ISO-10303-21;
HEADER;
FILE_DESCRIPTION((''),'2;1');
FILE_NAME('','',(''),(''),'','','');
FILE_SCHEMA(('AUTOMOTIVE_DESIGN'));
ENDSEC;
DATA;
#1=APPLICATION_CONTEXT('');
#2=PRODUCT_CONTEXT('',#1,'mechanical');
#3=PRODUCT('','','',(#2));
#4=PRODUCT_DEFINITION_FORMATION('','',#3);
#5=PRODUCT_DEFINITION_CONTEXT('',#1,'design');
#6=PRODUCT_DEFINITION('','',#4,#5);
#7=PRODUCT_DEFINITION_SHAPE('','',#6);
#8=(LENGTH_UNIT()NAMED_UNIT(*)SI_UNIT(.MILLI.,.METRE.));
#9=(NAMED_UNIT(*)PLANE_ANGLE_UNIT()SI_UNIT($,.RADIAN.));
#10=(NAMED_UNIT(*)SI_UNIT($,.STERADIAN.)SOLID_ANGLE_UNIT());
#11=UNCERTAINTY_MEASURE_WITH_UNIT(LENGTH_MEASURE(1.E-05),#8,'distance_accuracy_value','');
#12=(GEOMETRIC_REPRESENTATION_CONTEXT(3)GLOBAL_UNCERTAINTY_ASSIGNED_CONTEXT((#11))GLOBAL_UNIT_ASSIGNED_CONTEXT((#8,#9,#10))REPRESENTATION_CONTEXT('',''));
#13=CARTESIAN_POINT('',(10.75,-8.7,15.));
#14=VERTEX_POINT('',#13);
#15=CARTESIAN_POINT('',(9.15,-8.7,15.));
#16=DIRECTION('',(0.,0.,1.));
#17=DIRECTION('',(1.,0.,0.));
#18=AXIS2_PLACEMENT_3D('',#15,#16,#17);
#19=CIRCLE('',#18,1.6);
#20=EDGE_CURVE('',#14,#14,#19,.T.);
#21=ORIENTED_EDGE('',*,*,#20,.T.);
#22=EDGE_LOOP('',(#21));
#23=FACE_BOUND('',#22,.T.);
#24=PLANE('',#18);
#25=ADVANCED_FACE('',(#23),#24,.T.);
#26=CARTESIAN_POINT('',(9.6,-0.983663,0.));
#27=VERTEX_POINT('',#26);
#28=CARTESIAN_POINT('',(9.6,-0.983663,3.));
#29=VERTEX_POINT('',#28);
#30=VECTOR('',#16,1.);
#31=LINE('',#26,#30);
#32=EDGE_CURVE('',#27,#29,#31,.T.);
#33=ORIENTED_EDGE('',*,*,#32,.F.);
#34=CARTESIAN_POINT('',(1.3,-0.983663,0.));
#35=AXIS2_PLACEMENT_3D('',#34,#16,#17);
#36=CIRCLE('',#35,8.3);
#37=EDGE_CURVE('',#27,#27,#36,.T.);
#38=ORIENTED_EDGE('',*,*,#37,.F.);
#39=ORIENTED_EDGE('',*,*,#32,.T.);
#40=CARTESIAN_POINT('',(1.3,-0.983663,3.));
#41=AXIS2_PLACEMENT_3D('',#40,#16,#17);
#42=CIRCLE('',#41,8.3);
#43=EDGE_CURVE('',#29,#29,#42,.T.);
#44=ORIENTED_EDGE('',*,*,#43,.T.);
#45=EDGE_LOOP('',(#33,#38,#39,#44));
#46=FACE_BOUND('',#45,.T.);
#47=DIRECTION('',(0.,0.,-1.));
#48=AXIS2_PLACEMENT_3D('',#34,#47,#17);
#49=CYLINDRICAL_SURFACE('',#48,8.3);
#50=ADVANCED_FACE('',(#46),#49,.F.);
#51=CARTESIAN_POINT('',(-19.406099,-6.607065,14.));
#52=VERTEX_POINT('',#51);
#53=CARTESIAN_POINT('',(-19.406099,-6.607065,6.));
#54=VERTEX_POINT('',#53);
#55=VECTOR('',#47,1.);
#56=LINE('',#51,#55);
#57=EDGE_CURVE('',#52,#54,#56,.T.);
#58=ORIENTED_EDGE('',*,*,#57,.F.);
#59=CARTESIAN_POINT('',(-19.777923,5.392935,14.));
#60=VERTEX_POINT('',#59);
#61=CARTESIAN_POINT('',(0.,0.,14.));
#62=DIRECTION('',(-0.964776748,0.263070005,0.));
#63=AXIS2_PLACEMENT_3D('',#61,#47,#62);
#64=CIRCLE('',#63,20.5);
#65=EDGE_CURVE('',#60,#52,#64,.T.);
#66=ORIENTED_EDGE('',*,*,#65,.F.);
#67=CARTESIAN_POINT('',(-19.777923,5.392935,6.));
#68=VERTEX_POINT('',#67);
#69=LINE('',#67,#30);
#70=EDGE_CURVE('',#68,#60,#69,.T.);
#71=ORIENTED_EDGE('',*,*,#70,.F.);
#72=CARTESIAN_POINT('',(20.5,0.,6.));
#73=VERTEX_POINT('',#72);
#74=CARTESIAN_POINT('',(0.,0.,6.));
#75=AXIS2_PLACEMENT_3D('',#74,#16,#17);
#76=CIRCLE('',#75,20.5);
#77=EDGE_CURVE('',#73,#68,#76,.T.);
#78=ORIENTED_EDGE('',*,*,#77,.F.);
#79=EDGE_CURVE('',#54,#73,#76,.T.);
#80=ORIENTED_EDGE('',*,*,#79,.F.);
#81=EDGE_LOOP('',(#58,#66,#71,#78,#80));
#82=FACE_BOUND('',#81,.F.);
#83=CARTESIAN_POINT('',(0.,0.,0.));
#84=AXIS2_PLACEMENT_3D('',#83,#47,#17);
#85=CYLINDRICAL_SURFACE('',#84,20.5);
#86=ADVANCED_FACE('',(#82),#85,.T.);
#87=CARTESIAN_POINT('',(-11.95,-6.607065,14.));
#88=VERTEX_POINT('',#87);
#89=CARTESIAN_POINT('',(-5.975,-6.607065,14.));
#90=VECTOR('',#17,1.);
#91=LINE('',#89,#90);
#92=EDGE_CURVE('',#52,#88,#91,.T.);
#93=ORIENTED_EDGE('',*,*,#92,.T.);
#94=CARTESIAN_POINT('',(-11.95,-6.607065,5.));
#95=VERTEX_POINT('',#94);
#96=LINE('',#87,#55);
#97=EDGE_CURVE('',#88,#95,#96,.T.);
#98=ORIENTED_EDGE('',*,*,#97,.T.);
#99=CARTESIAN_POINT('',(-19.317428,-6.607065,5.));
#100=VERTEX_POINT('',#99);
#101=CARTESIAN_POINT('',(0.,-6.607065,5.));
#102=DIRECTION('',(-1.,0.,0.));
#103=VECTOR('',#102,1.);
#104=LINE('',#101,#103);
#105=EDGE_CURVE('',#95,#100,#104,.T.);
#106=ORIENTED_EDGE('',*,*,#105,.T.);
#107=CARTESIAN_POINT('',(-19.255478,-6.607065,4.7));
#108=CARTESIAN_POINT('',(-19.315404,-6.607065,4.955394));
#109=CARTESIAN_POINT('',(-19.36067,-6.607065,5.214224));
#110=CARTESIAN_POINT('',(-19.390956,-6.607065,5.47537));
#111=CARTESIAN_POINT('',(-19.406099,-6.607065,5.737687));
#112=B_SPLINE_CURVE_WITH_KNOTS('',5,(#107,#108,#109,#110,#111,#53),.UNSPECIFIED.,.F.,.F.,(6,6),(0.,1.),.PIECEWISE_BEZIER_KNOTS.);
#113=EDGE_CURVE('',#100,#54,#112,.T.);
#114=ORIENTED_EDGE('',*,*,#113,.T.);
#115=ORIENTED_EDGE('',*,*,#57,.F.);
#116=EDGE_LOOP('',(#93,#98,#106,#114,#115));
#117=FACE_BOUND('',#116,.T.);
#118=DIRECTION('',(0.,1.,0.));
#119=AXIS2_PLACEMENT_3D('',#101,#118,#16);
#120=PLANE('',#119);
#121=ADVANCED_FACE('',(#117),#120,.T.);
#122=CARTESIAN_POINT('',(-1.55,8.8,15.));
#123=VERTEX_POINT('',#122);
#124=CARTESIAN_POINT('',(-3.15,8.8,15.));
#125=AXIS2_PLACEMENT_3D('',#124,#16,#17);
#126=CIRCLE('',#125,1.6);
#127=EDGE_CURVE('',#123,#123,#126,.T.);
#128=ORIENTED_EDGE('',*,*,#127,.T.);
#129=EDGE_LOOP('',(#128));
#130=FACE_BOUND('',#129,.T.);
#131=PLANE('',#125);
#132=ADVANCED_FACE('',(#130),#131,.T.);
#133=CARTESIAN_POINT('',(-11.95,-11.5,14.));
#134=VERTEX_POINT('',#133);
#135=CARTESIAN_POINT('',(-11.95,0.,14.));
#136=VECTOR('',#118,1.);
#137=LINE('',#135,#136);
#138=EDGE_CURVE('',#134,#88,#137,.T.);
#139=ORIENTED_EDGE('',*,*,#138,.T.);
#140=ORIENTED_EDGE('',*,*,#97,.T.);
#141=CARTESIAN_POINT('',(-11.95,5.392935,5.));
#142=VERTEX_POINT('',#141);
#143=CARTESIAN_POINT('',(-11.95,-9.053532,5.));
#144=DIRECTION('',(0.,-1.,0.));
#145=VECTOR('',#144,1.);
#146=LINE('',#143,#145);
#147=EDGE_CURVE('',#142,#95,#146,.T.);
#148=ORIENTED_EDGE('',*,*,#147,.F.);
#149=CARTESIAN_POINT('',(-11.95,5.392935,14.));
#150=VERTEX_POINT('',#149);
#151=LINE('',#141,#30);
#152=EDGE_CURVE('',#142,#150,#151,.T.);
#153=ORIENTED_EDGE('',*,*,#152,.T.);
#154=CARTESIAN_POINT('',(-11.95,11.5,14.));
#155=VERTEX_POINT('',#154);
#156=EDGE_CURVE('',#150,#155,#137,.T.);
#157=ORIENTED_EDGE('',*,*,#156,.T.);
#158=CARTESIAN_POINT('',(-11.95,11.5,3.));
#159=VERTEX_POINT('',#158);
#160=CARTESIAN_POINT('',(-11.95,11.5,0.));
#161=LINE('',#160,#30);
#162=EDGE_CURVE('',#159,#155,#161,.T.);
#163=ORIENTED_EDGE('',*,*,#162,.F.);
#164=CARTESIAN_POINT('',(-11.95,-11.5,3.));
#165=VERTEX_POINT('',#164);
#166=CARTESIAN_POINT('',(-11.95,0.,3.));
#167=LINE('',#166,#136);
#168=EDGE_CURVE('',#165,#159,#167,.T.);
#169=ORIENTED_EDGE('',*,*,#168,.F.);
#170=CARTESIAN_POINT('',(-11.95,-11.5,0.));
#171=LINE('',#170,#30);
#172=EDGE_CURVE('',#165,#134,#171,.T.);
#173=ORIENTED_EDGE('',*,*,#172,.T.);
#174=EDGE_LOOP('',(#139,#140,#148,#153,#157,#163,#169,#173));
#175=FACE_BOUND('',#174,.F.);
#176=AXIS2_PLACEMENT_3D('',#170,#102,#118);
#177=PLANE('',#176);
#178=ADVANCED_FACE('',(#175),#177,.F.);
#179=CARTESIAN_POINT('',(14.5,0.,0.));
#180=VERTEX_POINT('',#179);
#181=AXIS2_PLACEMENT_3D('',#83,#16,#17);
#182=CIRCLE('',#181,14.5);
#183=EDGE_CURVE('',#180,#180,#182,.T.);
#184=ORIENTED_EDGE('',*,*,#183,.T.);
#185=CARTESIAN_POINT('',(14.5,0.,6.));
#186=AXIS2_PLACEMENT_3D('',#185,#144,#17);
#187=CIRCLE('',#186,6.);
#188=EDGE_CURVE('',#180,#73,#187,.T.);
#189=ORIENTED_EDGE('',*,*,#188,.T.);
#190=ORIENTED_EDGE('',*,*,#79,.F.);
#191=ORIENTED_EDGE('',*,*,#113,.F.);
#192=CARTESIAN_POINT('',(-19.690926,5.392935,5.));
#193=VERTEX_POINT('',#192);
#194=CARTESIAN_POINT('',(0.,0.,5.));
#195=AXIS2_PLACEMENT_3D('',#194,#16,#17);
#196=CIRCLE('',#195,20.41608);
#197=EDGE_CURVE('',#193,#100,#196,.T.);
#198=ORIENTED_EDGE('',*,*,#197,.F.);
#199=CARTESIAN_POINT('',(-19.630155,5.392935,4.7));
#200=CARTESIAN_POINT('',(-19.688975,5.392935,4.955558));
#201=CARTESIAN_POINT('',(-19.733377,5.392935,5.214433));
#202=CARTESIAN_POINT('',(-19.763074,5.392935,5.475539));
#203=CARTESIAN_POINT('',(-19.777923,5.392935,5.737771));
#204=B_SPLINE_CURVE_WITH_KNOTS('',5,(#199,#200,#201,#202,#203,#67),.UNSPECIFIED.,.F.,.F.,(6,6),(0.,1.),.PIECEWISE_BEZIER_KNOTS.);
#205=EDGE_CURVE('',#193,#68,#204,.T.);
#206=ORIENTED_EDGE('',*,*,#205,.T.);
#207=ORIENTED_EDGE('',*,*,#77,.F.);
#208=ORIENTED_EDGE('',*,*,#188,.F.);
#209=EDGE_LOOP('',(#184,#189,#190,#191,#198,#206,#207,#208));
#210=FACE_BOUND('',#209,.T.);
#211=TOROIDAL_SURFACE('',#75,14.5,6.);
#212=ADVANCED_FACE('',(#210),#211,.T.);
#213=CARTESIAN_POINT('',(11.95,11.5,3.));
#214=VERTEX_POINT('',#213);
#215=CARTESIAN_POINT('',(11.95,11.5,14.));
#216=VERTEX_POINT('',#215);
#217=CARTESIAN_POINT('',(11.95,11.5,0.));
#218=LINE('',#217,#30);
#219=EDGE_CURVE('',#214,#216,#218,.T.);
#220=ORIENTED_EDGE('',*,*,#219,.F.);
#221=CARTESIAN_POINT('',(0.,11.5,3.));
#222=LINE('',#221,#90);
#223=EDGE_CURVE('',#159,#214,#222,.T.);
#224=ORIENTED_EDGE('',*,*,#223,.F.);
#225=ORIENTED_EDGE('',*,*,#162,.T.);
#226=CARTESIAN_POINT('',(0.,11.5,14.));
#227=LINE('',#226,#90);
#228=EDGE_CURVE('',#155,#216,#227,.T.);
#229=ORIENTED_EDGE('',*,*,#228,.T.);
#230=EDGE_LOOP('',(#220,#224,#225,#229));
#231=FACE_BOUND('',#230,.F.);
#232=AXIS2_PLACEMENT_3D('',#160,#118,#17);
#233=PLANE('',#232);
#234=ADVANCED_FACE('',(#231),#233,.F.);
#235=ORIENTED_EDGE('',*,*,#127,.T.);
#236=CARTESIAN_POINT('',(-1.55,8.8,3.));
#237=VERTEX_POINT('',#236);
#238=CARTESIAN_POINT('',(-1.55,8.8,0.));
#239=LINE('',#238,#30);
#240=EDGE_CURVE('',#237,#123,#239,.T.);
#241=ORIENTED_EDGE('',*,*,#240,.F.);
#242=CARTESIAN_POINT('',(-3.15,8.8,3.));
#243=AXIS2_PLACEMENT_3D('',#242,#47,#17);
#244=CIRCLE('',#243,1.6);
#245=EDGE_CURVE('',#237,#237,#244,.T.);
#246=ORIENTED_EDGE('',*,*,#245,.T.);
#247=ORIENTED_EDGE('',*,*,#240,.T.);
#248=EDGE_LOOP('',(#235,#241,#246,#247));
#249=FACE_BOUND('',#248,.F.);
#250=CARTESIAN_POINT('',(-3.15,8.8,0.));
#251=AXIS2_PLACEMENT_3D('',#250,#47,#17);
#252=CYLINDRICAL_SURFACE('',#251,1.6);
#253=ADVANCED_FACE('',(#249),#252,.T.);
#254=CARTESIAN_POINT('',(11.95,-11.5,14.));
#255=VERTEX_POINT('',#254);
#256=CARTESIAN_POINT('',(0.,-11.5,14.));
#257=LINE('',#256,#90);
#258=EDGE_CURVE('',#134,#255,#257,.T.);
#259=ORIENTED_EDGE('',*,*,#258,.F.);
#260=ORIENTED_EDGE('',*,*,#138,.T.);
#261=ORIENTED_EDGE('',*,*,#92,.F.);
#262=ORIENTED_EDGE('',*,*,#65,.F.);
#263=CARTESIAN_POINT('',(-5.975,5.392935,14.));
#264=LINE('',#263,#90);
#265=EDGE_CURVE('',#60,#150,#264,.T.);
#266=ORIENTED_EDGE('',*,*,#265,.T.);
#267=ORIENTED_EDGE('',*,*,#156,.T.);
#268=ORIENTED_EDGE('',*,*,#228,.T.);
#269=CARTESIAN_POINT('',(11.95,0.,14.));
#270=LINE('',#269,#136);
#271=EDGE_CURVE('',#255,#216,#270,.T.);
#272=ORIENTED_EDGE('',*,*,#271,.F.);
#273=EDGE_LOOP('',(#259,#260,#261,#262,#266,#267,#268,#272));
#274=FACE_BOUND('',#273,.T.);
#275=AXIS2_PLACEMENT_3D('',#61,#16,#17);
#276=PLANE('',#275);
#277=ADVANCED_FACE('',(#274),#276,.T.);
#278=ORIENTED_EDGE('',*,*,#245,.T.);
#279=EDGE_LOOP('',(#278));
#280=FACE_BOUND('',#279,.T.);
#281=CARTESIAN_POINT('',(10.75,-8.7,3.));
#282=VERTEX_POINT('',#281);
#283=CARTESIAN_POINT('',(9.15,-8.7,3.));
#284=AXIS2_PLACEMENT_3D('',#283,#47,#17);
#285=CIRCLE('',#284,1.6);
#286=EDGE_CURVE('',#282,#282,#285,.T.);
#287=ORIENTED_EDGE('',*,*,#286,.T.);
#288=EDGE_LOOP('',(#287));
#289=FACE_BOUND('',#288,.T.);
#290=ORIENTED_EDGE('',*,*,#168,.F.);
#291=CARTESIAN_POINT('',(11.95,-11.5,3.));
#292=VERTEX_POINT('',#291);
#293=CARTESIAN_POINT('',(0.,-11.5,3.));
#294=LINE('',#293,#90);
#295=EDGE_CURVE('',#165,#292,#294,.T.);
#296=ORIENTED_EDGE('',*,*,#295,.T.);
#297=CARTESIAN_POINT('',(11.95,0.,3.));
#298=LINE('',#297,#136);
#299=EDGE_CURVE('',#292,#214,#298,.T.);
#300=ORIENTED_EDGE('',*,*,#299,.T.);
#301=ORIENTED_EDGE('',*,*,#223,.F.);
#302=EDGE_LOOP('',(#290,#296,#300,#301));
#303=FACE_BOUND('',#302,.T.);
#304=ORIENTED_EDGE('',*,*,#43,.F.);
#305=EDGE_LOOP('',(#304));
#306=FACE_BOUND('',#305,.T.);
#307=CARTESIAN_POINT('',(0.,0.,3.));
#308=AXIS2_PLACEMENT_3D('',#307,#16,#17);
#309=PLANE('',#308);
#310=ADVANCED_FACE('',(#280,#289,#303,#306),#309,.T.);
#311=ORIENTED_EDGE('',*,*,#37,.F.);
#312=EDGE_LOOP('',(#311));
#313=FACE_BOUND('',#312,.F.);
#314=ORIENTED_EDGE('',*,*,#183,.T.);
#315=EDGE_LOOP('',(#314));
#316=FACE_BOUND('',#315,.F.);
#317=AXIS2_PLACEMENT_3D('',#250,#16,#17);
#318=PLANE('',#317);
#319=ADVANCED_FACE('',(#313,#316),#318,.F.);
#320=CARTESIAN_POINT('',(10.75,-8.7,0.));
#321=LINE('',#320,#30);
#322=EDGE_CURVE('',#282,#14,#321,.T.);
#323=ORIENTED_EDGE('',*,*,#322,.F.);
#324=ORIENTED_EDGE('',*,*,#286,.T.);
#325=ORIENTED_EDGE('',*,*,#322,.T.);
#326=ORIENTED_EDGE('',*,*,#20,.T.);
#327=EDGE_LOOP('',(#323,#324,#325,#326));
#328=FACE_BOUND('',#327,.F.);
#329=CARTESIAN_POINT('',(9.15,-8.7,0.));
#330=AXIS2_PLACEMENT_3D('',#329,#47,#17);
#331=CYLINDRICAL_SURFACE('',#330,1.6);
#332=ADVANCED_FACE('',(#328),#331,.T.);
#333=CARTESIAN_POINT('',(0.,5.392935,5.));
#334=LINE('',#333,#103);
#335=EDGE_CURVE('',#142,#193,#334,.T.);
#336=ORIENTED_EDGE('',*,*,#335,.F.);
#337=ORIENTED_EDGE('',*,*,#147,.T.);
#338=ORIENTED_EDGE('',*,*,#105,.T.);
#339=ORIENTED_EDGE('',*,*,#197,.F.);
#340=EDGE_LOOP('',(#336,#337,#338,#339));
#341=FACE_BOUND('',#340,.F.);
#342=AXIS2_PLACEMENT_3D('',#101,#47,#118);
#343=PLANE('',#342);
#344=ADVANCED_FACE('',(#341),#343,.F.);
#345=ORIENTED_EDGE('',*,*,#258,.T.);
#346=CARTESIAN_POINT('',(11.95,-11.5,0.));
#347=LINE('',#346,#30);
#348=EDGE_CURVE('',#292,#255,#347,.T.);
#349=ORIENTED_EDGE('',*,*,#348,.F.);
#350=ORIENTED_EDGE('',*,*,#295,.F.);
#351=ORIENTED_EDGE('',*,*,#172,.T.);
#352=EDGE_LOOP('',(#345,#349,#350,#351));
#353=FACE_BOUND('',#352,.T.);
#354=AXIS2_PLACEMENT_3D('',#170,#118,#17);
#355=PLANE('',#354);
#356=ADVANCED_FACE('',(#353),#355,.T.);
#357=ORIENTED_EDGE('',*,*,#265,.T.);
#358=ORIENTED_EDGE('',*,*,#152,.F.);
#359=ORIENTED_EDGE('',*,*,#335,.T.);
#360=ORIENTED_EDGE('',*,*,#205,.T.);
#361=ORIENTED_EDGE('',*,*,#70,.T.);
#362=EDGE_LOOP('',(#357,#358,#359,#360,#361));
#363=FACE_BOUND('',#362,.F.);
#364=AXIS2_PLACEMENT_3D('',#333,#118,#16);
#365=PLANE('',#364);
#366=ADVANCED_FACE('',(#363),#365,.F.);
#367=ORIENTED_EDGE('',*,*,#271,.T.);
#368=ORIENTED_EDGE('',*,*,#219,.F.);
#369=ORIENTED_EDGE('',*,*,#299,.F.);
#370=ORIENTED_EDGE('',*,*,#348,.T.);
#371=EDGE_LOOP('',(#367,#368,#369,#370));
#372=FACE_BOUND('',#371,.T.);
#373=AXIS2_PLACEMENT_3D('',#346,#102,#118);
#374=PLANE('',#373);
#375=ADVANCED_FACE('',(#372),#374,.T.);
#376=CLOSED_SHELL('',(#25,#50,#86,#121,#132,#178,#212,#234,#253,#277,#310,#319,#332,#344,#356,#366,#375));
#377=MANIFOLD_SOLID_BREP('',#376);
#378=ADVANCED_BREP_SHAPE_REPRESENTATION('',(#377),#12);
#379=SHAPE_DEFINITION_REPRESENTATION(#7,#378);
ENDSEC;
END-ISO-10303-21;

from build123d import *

# Parameters (mm, degrees)
F0_R     = 20.5
F0_R_2   = 19
F0_W     = 23.9
F0_H     = 23
F2_DEPTH = 14
F1_W     = 23.9
F1_H     = 23
F1_R     = 2.25
F1_R_2   = 8.3
F0_R_3   = 2.25
F0_R_4   = 1.6
F3_DEPTH = 3
F4_R     = 6
F6_DEPTH = 15
F5_W     = 12
F5_H     = 3
F7_DEPTH = 25
F8_DEPTH = 25


with BuildPart() as f2:
    # F0 (on Top) → F2 (new body)
    with BuildSketch(Plane.XY):
        Circle(F0_R)
        Circle(F0_R_2, mode=Mode.SUBTRACT)
        Circle(F0_R_2)
        Rectangle(F0_W, F0_H, mode=Mode.SUBTRACT)
    extrude(amount=F2_DEPTH)

    # F1 (on face) + F0 (on Top) → F3 (join)
    with BuildSketch(Plane.XY):
        Rectangle(F1_W, F1_H)
        with Locations((9.15, -8.7)):
            Circle(F1_R, mode=Mode.SUBTRACT)
        with Locations((1.3, -0.9836626705)):
            Circle(F1_R_2, mode=Mode.SUBTRACT)
        with Locations((-3.15, 8.8)):
            Circle(F1_R, mode=Mode.SUBTRACT)
    with BuildSketch(Plane.XY):
        with Locations((-3.15, 8.8)):
            Circle(F0_R_3)
        with Locations((-3.15, 8.8)):
            Circle(F0_R_4, mode=Mode.SUBTRACT)
        with Locations((9.15, -8.7)):
            Circle(F0_R_3)
        with Locations((9.15, -8.7)):
            Circle(F0_R_4, mode=Mode.SUBTRACT)
        with Locations((-3.15, 8.8)):
            Circle(F0_R_4)
        with Locations((9.15, -8.7)):
            Circle(F0_R_4)
    extrude(amount=F3_DEPTH)

    # F4
    f4_edges = [f2.edges().sort_by_distance(p)[0] for p in [
        (-20.5, 0, 0),
    ]]
    fillet(f4_edges, radius=F4_R)

    # F0 (on Top) → F6 (join)
    with BuildSketch(Plane.XY):
        with Locations((-3.15, 8.8)):
            Circle(F0_R_4)
        with Locations((9.15, -8.7)):
            Circle(F0_R_4)
    extrude(amount=F6_DEPTH)

    # F5 (on Right) → F7 (cut)
    with BuildSketch(Plane.YZ):
        with Locations((-0.6070649059, 6.5)):
            Rectangle(F5_W, F5_H)
    extrude(amount=-F7_DEPTH, mode=Mode.SUBTRACT)

    # F8 (cut): a face of the model
    f8_faces = [f2.faces().sort_by_distance(p)[0] for p in [
        (-16.077019229, -0.5627771714, 8),
    ]]
    extrude(f8_faces, amount=-F8_DEPTH, mode=Mode.SUBTRACT)


solid = f2.part
